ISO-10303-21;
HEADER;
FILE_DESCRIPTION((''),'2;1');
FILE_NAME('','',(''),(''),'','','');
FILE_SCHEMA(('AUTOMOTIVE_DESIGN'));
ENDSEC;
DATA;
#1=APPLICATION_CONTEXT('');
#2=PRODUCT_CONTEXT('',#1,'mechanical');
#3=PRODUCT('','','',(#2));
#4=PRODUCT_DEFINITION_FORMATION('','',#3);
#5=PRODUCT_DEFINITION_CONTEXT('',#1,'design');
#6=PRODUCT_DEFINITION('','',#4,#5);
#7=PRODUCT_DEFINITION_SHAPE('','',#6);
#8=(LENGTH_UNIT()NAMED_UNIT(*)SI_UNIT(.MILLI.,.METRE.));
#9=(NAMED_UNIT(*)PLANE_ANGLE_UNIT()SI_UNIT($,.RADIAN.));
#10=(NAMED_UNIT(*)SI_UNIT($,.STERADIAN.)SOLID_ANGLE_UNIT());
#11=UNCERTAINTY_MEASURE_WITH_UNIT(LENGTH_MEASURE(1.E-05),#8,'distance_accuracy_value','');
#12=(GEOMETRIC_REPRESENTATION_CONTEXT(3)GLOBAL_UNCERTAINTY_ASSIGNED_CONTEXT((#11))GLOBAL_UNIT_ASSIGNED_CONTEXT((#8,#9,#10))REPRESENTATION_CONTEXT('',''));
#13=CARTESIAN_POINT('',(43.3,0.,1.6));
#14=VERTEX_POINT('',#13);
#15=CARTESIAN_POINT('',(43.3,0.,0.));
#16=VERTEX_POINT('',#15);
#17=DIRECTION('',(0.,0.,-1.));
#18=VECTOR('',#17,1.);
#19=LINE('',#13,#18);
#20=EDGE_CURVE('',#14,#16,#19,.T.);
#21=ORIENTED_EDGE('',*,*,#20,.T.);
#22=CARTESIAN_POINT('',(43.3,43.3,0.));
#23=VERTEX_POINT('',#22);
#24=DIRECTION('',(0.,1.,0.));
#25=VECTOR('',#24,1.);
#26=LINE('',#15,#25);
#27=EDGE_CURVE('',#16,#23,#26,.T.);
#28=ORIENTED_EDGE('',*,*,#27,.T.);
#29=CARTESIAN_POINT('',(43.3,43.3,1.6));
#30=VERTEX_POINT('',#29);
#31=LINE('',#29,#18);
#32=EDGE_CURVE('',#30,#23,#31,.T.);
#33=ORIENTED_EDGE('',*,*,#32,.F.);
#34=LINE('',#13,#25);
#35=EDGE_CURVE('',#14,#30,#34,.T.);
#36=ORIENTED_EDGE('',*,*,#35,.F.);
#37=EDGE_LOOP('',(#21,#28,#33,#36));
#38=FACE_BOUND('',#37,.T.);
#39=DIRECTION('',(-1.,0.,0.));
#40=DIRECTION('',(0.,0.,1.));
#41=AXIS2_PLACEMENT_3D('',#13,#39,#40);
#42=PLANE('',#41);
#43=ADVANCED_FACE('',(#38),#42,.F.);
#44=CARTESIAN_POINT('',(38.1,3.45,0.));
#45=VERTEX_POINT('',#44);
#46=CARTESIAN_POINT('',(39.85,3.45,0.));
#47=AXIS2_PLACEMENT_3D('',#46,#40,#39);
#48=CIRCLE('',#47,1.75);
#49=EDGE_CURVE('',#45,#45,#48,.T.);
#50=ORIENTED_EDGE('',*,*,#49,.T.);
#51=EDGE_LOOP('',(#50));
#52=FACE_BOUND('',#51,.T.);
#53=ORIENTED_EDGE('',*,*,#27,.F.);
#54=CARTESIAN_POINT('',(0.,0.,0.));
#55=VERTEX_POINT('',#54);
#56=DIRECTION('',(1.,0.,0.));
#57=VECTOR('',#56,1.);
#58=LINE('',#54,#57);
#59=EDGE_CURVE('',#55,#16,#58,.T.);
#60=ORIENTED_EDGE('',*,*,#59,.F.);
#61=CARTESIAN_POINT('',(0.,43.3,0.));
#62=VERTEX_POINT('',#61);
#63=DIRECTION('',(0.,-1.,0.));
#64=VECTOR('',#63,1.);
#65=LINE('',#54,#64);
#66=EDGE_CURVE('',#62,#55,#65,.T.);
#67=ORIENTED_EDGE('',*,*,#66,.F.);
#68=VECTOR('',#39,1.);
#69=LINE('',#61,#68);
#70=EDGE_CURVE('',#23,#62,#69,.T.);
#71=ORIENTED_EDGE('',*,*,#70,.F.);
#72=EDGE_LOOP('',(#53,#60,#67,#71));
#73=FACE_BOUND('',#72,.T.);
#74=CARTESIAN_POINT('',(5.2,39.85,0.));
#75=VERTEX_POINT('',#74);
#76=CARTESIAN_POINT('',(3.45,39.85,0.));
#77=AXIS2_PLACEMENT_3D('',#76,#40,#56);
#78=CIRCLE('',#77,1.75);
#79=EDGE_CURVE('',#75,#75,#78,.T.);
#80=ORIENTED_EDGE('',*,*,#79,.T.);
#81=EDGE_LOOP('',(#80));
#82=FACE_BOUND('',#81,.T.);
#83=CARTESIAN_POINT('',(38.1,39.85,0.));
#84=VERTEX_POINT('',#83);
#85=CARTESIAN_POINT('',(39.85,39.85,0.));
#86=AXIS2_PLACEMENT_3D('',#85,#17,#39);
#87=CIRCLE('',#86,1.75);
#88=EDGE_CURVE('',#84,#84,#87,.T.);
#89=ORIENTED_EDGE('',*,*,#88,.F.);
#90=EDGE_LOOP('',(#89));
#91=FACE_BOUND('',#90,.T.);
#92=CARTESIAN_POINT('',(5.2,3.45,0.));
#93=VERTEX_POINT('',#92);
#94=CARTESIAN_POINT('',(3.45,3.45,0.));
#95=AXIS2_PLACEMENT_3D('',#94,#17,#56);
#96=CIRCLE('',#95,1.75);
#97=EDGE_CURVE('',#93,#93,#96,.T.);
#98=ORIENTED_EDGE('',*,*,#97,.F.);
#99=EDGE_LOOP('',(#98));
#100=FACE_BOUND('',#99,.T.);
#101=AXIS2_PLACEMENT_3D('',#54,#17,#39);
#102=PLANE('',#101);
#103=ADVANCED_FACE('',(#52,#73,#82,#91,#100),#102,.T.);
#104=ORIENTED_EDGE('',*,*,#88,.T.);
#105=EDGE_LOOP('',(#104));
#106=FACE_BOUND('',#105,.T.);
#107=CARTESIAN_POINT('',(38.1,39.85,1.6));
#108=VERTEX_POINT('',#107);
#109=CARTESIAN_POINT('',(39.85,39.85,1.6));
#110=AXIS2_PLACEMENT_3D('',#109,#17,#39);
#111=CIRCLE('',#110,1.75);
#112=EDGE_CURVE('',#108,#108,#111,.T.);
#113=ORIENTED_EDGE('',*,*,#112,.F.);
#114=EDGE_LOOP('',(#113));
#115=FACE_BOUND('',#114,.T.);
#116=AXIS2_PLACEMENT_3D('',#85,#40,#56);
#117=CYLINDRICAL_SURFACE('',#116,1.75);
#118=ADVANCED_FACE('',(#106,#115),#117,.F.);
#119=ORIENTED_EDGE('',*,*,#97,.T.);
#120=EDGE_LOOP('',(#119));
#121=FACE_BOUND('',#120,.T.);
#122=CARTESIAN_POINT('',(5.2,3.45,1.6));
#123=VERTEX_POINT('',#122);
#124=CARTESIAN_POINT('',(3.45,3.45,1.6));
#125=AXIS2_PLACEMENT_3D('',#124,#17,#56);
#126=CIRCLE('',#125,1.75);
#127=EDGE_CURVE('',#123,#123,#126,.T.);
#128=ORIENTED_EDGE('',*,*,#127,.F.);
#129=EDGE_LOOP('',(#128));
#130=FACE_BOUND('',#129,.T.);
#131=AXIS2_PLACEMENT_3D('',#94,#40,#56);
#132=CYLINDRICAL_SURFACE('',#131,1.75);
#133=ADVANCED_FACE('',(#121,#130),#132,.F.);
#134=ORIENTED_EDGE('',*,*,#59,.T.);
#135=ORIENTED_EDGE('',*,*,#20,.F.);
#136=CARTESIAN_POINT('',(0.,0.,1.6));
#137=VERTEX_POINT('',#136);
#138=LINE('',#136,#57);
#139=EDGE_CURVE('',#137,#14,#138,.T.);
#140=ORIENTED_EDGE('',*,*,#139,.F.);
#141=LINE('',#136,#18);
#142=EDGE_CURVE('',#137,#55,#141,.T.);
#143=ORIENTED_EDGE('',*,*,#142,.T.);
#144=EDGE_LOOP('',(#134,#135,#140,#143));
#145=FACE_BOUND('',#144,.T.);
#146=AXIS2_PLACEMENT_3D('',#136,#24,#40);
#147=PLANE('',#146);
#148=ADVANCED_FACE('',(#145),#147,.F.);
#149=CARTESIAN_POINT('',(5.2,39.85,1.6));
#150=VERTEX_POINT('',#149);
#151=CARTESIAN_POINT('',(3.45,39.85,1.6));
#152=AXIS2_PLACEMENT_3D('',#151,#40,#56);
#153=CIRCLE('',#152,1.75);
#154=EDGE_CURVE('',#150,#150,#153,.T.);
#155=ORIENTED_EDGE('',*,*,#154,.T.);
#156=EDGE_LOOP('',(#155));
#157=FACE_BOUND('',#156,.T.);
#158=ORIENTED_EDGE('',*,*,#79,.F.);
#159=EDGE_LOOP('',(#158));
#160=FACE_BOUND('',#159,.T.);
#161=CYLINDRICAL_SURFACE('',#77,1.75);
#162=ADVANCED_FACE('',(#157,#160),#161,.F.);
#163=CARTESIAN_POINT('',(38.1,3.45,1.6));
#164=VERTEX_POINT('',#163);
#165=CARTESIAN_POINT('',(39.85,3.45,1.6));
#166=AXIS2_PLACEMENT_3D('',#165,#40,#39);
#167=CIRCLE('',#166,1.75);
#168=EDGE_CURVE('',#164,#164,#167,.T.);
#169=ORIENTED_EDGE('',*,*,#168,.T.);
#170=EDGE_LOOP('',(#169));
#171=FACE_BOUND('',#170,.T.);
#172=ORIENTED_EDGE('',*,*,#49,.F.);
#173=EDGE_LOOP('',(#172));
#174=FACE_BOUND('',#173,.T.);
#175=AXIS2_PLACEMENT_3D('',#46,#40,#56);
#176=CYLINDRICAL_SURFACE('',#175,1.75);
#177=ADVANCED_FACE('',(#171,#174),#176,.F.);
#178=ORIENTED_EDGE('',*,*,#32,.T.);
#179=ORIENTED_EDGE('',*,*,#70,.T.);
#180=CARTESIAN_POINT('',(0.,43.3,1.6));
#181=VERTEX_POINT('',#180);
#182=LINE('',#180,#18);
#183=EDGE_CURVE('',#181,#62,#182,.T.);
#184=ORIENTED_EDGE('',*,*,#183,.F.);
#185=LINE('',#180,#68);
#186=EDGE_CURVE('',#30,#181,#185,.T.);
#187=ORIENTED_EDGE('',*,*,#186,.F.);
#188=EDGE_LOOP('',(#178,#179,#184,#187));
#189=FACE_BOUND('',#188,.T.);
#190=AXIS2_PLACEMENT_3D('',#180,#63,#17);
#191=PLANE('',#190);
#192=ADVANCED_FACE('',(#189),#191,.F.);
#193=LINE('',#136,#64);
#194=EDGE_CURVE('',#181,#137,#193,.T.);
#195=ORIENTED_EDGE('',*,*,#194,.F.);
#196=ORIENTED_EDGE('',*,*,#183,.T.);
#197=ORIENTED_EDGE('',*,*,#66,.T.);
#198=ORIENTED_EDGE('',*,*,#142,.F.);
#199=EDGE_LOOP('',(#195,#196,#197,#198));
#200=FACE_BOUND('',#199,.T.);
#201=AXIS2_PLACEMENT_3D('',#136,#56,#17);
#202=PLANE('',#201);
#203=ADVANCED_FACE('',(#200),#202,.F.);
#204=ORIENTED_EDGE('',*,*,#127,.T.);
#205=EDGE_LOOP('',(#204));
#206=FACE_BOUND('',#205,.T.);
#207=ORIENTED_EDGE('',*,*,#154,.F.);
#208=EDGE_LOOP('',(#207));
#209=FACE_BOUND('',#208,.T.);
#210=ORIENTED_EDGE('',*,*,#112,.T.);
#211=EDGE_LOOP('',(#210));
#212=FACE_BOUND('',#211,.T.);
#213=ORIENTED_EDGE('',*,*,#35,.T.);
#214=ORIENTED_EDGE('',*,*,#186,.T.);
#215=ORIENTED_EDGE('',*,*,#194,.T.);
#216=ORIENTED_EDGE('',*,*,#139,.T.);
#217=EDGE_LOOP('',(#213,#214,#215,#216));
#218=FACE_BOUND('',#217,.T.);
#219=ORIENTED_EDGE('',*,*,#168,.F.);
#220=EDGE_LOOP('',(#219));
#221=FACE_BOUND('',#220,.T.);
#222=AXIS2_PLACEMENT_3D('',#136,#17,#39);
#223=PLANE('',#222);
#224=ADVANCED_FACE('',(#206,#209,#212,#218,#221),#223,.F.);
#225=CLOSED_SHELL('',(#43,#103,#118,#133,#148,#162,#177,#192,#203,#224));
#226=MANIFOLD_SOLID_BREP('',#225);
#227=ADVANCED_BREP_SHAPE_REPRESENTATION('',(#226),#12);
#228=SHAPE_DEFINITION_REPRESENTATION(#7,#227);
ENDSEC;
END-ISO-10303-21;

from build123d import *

# Parameters (mm, degrees)
ESQUISSE1_W               = 43.3
ESQUISSE1_H               = 43.3
BOSS_EXTRU_1_DEPTH        = 1.6
ESQUISSE2_R               = 1.75
ENL_V_MAT_EXTRU_1_DEPTH   = 62.25634661
SYM_TRIE2_COPY_1_SKETCH_R = 1.75
SYM_TRIE2_COPY_1_DEPTH    = 62.25634661


with BuildPart() as part:
    # Esquisse1 → Boss.-Extru.1 (new body)
    with BuildSketch(Plane.XY):
        with Locations((21.65, 21.65)):
            Rectangle(ESQUISSE1_W, ESQUISSE1_H)
    extrude(amount=BOSS_EXTRU_1_DEPTH)

    # Esquisse2 → Enlèv. mat.-Extru.1 (cut, through all)
    with BuildSketch(Plane.XY.offset(1.6)):
        with Locations((3.45, 39.85)):
            Circle(ESQUISSE2_R)
    enl_v_mat_extru_1 = extrude(amount=-ENL_V_MAT_EXTRU_1_DEPTH, mode=Mode.SUBTRACT)

    # Symétrie1: Enlèv. mat.-Extru.1 across plane
    add(enl_v_mat_extru_1.mirror(Plane.ZY.offset(-21.65)), mode=Mode.SUBTRACT)

    # Symétrie2: Enlèv. mat.-Extru.1 across plane
    add(enl_v_mat_extru_1.mirror(Plane.ZX.offset(21.65)), mode=Mode.SUBTRACT)

    # Symétrie2 copy 1 sketch → Symétrie2 copy 1 (cut, through all)
    with BuildSketch(Plane(origin=(43.3, 43.3, 1.6), x_dir=(-1, 0, 0), z_dir=(0, 0, 1))):
        with Locations((3.45, 39.85)):
            Circle(SYM_TRIE2_COPY_1_SKETCH_R)
    extrude(amount=-SYM_TRIE2_COPY_1_DEPTH, mode=Mode.SUBTRACT)


solid = part.part
